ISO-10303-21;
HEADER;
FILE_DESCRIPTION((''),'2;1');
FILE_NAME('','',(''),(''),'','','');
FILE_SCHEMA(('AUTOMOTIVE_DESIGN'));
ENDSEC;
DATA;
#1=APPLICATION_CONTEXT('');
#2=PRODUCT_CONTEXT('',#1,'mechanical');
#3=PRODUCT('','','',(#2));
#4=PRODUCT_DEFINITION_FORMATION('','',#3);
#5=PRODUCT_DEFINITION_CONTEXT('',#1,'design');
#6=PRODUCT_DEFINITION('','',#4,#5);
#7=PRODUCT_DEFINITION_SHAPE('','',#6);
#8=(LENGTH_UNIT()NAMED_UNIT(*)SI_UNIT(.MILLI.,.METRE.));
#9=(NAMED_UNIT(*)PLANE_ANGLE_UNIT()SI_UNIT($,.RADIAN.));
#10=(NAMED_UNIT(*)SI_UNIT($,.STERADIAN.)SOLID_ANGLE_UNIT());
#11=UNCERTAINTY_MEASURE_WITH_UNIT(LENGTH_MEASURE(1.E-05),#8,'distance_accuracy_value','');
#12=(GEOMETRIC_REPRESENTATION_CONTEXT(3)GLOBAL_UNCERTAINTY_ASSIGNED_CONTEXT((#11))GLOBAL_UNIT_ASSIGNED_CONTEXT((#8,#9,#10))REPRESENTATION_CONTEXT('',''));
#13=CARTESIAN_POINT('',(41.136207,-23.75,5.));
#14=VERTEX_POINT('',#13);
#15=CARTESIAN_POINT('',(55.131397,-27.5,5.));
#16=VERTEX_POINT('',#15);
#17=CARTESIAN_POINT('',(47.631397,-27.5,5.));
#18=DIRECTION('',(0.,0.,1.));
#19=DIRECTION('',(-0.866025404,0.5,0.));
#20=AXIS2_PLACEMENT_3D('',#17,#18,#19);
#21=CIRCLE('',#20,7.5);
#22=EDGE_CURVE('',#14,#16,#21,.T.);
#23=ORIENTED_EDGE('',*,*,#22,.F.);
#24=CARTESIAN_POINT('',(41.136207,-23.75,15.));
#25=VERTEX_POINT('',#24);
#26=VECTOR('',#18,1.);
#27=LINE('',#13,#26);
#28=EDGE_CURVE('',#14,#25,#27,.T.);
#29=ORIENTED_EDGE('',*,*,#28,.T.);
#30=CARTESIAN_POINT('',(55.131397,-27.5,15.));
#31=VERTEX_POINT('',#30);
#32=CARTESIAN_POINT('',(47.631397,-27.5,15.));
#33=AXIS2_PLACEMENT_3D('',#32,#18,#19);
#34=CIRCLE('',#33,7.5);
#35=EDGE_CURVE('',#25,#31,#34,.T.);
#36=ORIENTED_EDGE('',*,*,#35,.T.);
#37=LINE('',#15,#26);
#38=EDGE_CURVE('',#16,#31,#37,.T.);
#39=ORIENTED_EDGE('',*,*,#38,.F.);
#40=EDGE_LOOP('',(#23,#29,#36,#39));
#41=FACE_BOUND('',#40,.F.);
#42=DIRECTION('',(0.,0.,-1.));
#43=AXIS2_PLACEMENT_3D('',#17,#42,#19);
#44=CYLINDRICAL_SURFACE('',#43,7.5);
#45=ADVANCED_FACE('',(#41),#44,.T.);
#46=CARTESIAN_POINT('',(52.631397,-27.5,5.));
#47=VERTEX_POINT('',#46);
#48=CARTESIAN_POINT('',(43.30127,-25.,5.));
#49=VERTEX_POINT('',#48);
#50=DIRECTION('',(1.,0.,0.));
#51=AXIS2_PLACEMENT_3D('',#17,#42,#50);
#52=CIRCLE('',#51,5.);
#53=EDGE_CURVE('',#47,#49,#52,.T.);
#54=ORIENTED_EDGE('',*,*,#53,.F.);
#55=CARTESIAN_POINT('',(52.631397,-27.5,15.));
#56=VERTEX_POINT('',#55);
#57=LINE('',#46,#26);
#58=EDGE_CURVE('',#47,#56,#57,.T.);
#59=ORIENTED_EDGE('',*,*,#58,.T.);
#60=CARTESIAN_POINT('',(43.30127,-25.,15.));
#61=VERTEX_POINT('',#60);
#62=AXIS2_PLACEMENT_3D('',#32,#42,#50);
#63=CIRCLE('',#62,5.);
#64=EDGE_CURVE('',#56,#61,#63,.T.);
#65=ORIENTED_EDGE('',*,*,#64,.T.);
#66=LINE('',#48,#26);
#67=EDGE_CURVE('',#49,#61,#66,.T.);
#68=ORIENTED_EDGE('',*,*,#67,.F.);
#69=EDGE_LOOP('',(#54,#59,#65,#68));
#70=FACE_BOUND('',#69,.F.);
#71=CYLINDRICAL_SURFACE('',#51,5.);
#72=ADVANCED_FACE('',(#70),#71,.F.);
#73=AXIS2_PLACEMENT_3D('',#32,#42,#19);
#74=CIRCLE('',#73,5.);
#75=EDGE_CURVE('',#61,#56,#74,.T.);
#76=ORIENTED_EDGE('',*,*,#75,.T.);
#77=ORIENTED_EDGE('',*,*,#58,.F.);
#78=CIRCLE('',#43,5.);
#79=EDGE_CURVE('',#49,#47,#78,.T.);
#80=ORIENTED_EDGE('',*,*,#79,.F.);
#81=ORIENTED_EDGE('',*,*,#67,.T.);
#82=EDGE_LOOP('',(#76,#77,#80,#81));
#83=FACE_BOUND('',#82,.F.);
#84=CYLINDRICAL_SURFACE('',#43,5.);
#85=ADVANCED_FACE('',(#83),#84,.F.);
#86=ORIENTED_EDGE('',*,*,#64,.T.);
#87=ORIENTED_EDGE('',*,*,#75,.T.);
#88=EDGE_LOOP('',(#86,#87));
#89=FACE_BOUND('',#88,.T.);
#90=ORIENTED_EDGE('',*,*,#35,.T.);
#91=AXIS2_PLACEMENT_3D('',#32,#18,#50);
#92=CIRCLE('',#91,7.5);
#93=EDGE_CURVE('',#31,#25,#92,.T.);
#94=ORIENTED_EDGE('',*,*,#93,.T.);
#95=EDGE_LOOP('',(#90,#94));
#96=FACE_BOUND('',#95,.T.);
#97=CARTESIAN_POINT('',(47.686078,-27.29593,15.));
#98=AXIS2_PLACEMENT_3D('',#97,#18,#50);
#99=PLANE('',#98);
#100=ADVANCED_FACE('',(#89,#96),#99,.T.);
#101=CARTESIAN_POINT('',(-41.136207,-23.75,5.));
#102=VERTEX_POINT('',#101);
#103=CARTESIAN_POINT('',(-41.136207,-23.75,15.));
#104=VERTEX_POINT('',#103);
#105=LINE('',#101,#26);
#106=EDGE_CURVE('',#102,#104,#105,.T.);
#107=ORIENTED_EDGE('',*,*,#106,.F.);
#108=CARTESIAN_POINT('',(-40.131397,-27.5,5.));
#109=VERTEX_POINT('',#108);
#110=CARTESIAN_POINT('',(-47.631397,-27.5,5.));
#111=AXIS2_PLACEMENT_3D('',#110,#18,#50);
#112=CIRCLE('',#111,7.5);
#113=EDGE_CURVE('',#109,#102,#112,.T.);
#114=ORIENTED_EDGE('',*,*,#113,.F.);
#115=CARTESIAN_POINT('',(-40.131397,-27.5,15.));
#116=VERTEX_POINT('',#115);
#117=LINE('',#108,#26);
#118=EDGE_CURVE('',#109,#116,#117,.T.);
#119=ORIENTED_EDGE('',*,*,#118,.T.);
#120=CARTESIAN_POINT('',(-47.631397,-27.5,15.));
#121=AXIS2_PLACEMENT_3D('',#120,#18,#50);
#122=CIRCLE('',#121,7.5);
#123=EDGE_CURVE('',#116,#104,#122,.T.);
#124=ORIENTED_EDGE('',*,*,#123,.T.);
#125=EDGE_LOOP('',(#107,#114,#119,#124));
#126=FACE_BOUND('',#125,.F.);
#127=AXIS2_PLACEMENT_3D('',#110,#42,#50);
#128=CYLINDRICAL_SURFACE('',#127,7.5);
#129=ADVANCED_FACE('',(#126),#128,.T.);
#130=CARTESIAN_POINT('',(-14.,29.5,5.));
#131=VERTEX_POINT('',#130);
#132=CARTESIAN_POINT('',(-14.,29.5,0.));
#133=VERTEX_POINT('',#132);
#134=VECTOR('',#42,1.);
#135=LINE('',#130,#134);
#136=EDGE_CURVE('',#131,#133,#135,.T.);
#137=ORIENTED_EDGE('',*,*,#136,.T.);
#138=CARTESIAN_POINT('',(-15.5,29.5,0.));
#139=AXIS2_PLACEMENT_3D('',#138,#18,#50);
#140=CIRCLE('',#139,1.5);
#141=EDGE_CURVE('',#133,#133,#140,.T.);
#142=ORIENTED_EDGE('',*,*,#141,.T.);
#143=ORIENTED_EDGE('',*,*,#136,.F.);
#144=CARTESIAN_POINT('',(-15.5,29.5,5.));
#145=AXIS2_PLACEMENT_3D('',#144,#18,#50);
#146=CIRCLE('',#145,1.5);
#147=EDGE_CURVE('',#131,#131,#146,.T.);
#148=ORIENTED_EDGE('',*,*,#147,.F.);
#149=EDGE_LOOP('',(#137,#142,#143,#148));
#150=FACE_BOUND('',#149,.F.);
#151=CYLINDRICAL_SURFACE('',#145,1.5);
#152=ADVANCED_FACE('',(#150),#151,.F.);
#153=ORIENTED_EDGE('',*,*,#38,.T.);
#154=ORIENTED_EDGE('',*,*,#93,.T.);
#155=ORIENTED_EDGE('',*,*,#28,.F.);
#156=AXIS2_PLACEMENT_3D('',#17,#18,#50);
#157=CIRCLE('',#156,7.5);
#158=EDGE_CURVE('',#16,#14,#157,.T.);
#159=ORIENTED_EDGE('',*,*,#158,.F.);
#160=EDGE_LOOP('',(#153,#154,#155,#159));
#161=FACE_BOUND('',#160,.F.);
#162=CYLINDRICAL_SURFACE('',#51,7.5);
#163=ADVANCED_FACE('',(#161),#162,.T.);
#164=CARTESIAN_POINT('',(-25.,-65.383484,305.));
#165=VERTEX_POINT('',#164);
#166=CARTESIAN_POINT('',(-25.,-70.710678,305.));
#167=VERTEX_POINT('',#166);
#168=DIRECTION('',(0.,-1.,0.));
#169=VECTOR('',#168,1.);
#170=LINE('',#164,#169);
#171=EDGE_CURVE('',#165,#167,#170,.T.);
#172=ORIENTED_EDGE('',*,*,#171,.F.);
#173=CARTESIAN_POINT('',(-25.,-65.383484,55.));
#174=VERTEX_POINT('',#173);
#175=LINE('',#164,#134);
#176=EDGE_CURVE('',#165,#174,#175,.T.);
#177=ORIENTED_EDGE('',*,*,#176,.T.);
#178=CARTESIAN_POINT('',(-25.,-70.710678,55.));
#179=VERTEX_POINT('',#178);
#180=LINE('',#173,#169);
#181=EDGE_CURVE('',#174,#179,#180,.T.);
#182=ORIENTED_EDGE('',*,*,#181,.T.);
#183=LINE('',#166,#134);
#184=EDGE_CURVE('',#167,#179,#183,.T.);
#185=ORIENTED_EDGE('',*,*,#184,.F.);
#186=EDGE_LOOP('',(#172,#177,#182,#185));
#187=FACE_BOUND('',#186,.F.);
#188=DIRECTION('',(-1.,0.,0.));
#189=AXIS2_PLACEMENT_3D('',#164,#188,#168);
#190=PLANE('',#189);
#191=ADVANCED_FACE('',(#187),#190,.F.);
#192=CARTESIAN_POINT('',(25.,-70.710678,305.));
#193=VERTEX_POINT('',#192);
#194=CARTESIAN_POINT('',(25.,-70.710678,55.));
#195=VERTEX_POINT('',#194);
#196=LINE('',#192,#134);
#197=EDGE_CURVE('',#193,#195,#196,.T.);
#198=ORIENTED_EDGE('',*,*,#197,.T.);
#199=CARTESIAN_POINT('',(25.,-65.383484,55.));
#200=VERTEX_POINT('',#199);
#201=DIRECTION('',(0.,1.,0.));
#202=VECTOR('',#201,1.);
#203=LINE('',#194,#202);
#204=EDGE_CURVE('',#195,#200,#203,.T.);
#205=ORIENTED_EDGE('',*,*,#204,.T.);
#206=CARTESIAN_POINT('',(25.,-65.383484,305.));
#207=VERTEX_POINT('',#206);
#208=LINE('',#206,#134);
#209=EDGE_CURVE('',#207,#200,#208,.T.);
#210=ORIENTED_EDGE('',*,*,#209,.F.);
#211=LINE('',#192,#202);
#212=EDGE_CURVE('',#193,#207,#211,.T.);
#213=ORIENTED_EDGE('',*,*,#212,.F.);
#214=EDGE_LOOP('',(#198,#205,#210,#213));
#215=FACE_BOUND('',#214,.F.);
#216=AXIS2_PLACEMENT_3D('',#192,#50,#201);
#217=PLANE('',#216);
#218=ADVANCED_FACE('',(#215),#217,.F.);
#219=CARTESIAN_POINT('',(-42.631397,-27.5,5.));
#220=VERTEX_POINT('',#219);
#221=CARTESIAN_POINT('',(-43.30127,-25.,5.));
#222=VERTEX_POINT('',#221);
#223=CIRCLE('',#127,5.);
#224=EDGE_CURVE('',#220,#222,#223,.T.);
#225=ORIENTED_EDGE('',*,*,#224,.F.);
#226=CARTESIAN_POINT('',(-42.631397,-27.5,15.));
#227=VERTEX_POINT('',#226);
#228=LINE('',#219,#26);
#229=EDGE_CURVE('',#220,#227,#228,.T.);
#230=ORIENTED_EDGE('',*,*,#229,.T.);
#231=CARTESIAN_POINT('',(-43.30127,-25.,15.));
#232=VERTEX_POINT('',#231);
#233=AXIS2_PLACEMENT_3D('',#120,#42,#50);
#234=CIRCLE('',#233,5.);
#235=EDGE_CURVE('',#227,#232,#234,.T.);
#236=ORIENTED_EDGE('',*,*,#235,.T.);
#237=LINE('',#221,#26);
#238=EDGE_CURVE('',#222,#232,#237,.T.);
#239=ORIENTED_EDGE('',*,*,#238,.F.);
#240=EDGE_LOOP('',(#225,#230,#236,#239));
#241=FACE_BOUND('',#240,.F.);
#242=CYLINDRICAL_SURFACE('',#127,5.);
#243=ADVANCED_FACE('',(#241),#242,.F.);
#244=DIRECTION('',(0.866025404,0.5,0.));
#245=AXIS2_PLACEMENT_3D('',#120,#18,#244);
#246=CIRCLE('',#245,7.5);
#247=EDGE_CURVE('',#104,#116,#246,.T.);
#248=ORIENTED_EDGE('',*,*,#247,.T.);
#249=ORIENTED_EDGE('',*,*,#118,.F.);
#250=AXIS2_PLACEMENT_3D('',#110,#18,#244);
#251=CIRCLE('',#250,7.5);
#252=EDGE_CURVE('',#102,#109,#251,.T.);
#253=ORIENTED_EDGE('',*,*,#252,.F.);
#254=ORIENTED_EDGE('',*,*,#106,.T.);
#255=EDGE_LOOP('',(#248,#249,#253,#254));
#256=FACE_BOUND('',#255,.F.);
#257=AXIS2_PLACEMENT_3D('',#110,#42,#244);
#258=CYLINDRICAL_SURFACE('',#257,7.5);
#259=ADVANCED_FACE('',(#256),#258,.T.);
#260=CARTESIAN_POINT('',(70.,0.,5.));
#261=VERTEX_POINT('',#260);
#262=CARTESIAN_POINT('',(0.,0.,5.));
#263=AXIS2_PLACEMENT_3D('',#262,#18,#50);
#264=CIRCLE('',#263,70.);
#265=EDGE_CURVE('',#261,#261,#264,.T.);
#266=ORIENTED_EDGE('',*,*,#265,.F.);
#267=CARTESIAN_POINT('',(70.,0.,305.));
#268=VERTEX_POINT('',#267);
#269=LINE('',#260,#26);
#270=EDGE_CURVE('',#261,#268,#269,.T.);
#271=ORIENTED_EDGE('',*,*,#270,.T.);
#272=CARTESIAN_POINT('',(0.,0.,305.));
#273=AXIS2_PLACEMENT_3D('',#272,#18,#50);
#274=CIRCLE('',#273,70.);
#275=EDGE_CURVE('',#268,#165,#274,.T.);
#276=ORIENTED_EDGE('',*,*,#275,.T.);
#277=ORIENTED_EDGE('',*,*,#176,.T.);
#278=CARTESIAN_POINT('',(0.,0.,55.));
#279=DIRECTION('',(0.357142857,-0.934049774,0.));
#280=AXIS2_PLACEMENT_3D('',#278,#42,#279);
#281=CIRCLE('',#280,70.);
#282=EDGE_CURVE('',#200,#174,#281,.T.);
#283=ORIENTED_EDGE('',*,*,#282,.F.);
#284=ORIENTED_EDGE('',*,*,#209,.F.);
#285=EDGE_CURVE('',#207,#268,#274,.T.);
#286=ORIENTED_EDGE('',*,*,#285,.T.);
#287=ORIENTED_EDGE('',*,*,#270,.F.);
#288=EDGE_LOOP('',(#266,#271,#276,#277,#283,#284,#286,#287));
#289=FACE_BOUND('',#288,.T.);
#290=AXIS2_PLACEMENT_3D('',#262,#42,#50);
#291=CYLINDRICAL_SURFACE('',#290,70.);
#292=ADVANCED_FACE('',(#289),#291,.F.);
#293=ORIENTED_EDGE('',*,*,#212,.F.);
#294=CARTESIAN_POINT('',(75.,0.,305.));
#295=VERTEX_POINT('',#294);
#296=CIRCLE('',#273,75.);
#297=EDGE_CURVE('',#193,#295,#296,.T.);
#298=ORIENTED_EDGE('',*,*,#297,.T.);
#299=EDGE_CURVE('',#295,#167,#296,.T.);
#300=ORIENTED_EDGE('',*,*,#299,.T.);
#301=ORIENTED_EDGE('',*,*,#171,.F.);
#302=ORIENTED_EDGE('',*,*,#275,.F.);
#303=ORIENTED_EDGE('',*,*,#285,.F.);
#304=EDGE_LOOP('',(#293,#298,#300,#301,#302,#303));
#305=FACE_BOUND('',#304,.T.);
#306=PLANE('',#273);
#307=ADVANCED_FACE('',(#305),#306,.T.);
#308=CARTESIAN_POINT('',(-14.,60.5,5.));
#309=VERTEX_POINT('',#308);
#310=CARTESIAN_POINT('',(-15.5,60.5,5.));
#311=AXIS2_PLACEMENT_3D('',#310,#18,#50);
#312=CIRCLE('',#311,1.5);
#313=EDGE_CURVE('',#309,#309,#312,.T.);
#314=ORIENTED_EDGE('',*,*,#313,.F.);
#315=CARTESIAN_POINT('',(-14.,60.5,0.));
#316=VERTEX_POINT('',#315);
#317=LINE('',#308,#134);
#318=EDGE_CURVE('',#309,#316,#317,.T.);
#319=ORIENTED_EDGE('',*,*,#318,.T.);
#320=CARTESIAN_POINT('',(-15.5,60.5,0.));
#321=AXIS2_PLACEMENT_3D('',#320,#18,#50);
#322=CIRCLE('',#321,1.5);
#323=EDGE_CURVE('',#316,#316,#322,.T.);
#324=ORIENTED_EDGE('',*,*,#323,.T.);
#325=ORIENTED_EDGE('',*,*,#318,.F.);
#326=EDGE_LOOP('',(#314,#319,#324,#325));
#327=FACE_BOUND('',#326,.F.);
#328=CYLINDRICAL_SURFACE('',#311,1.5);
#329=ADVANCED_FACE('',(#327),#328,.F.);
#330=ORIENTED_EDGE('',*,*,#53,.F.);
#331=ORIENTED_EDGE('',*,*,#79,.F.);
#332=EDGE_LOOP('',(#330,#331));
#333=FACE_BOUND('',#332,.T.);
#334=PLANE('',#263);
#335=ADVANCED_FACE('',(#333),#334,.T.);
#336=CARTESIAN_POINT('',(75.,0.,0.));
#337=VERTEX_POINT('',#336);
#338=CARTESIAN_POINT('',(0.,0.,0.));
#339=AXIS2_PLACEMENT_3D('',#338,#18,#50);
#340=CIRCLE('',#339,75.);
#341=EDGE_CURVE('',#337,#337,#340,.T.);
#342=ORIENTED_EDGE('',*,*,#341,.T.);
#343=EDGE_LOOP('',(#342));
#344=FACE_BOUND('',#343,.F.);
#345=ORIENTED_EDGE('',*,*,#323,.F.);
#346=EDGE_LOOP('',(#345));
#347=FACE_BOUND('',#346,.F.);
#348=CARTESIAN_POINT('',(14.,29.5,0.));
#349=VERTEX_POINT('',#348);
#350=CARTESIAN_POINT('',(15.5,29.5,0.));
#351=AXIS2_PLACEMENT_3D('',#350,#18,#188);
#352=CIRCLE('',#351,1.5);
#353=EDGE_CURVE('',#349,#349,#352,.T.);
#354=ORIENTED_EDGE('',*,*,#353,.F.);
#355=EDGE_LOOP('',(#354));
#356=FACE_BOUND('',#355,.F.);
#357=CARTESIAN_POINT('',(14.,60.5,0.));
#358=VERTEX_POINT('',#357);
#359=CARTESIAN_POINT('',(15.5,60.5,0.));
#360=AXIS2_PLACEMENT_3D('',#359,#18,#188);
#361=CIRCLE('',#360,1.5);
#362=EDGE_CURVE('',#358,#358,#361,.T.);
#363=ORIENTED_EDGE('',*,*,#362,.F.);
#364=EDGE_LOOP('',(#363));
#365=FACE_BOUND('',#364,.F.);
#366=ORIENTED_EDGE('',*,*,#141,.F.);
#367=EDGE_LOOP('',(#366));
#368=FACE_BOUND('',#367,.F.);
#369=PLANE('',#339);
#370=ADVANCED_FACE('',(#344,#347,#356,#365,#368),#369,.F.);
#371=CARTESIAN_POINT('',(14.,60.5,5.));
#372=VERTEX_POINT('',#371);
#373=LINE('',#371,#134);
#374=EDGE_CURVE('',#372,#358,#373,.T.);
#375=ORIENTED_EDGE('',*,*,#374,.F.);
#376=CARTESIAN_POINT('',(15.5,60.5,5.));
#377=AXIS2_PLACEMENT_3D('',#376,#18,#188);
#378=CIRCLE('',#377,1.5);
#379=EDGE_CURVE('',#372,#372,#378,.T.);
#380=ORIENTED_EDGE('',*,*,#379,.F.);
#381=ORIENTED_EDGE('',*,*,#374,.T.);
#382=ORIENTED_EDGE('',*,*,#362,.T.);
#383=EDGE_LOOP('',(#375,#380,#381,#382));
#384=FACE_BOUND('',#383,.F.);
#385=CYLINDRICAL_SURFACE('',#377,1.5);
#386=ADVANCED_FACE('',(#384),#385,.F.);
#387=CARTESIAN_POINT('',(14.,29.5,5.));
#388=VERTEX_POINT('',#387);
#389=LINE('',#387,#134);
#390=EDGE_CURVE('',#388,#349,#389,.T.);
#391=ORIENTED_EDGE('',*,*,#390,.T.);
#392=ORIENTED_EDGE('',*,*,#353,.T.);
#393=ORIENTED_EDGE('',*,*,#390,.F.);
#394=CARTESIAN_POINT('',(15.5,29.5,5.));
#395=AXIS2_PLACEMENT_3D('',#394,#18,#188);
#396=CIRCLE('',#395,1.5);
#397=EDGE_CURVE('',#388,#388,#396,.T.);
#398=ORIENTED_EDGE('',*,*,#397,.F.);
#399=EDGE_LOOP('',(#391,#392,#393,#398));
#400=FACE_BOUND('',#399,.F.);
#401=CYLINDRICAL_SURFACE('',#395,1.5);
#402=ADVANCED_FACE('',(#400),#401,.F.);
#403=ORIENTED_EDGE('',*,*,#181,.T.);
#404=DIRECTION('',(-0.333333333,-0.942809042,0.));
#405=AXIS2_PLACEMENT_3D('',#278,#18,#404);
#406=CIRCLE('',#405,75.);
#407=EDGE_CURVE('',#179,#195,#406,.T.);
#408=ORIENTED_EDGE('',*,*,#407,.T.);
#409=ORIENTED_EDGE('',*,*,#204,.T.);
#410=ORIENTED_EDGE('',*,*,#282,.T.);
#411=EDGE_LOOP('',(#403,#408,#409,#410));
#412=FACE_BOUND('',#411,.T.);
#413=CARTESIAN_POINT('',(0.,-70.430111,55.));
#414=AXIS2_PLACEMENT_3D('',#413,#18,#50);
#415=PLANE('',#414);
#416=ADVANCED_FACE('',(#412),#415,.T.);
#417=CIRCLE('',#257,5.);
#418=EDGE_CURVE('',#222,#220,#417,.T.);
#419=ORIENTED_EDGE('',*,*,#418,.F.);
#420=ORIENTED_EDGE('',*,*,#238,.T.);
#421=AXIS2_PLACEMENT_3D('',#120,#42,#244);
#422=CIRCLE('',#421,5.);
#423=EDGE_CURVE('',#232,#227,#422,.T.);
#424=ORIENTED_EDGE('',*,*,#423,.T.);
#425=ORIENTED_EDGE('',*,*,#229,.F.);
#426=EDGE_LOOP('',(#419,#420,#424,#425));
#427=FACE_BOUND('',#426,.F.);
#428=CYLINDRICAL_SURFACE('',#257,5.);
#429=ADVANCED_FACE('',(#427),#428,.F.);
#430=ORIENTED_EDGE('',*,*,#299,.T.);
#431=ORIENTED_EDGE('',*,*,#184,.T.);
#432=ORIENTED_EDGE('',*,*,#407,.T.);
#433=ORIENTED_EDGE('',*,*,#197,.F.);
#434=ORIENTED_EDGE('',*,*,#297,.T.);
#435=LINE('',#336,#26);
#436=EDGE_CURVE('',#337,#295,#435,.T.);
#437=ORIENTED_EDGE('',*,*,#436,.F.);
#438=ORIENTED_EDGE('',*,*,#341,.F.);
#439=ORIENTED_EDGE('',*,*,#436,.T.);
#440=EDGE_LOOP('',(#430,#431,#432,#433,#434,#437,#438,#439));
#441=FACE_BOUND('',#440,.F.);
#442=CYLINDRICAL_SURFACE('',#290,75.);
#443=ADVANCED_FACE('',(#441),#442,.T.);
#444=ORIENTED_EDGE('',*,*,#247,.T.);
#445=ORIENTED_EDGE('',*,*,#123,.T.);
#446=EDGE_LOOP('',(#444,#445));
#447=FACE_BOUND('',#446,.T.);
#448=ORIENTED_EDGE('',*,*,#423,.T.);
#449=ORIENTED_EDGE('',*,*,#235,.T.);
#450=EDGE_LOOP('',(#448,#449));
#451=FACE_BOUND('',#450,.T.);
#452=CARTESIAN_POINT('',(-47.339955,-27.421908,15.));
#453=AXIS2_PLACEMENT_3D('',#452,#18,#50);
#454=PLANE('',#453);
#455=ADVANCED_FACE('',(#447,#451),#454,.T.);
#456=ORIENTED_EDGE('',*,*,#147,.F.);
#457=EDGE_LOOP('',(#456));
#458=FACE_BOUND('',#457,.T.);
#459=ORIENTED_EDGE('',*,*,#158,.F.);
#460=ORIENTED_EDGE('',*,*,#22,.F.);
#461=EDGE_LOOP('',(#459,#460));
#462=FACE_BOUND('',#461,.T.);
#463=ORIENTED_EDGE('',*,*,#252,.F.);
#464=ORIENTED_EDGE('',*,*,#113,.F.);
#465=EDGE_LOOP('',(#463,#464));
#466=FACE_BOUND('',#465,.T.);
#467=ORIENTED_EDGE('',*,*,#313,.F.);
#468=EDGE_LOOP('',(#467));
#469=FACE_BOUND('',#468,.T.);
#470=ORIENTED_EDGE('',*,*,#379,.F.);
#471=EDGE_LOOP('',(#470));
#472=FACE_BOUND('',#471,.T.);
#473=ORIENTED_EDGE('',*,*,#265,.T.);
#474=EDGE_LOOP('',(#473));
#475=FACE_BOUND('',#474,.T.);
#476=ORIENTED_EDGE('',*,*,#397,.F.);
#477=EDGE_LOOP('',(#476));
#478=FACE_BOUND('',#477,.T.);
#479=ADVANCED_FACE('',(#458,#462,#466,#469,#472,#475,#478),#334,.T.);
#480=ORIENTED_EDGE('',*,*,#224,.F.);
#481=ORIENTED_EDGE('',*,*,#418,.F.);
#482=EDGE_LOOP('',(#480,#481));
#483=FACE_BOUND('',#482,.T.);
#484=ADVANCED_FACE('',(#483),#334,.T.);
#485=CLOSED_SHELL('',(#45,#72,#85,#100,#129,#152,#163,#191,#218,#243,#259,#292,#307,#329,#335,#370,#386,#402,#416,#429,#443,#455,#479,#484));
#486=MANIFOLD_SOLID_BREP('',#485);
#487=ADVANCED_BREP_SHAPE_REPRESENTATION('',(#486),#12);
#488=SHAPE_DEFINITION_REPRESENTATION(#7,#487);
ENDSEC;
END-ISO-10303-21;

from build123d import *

# Parameters (mm, degrees)
F0_R     = 75
F1_DEPTH = 5
F2_R     = 75
F2_R_2   = 70
F3_DEPTH = 300
F5_DEPTH = 250
F6_R     = 1.5
F7_DEPTH = 25
F9_DEPTH = 10


with BuildPart() as f1:
    # F0 (on Top) → F1 (new body)
    with BuildSketch(Plane.XY):
        Circle(F0_R)
    extrude(amount=F1_DEPTH)

    # F2 (on face) → F3 (join)
    with BuildSketch(Plane.XY.offset(5)):
        Circle(F2_R)
        Circle(F2_R_2, mode=Mode.SUBTRACT)
    extrude(amount=F3_DEPTH)

    # F4 (on face) → F5 (cut)
    with BuildSketch(Plane.XY.offset(305)):
        with BuildLine():
            Line((25, -70.7106781187), (25, -65.3834841531))
            ThreePointArc((25, -65.3834841531), (0, -70), (-25, -65.3834841531))
            Line((-25, -65.3834841531), (-25, -70.7106781187))
            ThreePointArc((-25, -70.7106781187), (0, -75), (25, -70.7106781187))
        make_face()
    extrude(amount=-F5_DEPTH, mode=Mode.SUBTRACT)

    # F6 (on face) → F7 (cut)
    with BuildSketch(Plane.XY.offset(5)):
        with Locations((-15.5, 60.5)):
            Circle(F6_R)
        with BuildLine():
            ThreePointArc((17, 60.5), (15.5, 62), (14, 60.5))
            ThreePointArc((14, 60.5), (15.5, 59), (17, 60.5))
        make_face()
        with BuildLine():
            ThreePointArc((17, 29.5), (15.5, 31), (14, 29.5))
            ThreePointArc((14, 29.5), (15.5, 28), (17, 29.5))
        make_face()
        with Locations((-15.5, 29.5)):
            Circle(F6_R)
    extrude(amount=-F7_DEPTH, mode=Mode.SUBTRACT)

    # F8 (on face) → F9 (join)
    with BuildSketch(Plane.XY.offset(5)):
        with BuildLine():
            ThreePointArc((-40.1313972081, -27.5), (-40.386953511, -25.5588571617), (-41.1362066798, -23.75))
            ThreePointArc((-41.1362066798, -23.75), (-54.8758409053, -29.4411428383), (-40.1313972081, -27.5))
        make_face()
        with BuildLine():
            ThreePointArc((-42.6313972081, -27.5), (-52.4610263396, -28.7940952255), (-43.3012701892, -25))
            ThreePointArc((-43.3012701892, -25), (-42.8017680767, -26.2059047745), (-42.6313972081, -27.5))
        make_face(mode=Mode.SUBTRACT)
        with BuildLine():
            ThreePointArc((55.1313972081, -27.5), (49.5725400464, -20.2555563028), (41.1362066798, -23.75))
            ThreePointArc((41.1362066798, -23.75), (45.6902543699, -34.7444436972), (55.1313972081, -27.5))
        make_face()
        with BuildLine():
            ThreePointArc((52.6313972081, -27.5), (46.3373019826, -32.3296291314), (43.3012701892, -25))
            ThreePointArc((43.3012701892, -25), (48.9254924337, -22.6703708686), (52.6313972081, -27.5))
        make_face(mode=Mode.SUBTRACT)
    extrude(amount=F9_DEPTH)


solid = f1.part
